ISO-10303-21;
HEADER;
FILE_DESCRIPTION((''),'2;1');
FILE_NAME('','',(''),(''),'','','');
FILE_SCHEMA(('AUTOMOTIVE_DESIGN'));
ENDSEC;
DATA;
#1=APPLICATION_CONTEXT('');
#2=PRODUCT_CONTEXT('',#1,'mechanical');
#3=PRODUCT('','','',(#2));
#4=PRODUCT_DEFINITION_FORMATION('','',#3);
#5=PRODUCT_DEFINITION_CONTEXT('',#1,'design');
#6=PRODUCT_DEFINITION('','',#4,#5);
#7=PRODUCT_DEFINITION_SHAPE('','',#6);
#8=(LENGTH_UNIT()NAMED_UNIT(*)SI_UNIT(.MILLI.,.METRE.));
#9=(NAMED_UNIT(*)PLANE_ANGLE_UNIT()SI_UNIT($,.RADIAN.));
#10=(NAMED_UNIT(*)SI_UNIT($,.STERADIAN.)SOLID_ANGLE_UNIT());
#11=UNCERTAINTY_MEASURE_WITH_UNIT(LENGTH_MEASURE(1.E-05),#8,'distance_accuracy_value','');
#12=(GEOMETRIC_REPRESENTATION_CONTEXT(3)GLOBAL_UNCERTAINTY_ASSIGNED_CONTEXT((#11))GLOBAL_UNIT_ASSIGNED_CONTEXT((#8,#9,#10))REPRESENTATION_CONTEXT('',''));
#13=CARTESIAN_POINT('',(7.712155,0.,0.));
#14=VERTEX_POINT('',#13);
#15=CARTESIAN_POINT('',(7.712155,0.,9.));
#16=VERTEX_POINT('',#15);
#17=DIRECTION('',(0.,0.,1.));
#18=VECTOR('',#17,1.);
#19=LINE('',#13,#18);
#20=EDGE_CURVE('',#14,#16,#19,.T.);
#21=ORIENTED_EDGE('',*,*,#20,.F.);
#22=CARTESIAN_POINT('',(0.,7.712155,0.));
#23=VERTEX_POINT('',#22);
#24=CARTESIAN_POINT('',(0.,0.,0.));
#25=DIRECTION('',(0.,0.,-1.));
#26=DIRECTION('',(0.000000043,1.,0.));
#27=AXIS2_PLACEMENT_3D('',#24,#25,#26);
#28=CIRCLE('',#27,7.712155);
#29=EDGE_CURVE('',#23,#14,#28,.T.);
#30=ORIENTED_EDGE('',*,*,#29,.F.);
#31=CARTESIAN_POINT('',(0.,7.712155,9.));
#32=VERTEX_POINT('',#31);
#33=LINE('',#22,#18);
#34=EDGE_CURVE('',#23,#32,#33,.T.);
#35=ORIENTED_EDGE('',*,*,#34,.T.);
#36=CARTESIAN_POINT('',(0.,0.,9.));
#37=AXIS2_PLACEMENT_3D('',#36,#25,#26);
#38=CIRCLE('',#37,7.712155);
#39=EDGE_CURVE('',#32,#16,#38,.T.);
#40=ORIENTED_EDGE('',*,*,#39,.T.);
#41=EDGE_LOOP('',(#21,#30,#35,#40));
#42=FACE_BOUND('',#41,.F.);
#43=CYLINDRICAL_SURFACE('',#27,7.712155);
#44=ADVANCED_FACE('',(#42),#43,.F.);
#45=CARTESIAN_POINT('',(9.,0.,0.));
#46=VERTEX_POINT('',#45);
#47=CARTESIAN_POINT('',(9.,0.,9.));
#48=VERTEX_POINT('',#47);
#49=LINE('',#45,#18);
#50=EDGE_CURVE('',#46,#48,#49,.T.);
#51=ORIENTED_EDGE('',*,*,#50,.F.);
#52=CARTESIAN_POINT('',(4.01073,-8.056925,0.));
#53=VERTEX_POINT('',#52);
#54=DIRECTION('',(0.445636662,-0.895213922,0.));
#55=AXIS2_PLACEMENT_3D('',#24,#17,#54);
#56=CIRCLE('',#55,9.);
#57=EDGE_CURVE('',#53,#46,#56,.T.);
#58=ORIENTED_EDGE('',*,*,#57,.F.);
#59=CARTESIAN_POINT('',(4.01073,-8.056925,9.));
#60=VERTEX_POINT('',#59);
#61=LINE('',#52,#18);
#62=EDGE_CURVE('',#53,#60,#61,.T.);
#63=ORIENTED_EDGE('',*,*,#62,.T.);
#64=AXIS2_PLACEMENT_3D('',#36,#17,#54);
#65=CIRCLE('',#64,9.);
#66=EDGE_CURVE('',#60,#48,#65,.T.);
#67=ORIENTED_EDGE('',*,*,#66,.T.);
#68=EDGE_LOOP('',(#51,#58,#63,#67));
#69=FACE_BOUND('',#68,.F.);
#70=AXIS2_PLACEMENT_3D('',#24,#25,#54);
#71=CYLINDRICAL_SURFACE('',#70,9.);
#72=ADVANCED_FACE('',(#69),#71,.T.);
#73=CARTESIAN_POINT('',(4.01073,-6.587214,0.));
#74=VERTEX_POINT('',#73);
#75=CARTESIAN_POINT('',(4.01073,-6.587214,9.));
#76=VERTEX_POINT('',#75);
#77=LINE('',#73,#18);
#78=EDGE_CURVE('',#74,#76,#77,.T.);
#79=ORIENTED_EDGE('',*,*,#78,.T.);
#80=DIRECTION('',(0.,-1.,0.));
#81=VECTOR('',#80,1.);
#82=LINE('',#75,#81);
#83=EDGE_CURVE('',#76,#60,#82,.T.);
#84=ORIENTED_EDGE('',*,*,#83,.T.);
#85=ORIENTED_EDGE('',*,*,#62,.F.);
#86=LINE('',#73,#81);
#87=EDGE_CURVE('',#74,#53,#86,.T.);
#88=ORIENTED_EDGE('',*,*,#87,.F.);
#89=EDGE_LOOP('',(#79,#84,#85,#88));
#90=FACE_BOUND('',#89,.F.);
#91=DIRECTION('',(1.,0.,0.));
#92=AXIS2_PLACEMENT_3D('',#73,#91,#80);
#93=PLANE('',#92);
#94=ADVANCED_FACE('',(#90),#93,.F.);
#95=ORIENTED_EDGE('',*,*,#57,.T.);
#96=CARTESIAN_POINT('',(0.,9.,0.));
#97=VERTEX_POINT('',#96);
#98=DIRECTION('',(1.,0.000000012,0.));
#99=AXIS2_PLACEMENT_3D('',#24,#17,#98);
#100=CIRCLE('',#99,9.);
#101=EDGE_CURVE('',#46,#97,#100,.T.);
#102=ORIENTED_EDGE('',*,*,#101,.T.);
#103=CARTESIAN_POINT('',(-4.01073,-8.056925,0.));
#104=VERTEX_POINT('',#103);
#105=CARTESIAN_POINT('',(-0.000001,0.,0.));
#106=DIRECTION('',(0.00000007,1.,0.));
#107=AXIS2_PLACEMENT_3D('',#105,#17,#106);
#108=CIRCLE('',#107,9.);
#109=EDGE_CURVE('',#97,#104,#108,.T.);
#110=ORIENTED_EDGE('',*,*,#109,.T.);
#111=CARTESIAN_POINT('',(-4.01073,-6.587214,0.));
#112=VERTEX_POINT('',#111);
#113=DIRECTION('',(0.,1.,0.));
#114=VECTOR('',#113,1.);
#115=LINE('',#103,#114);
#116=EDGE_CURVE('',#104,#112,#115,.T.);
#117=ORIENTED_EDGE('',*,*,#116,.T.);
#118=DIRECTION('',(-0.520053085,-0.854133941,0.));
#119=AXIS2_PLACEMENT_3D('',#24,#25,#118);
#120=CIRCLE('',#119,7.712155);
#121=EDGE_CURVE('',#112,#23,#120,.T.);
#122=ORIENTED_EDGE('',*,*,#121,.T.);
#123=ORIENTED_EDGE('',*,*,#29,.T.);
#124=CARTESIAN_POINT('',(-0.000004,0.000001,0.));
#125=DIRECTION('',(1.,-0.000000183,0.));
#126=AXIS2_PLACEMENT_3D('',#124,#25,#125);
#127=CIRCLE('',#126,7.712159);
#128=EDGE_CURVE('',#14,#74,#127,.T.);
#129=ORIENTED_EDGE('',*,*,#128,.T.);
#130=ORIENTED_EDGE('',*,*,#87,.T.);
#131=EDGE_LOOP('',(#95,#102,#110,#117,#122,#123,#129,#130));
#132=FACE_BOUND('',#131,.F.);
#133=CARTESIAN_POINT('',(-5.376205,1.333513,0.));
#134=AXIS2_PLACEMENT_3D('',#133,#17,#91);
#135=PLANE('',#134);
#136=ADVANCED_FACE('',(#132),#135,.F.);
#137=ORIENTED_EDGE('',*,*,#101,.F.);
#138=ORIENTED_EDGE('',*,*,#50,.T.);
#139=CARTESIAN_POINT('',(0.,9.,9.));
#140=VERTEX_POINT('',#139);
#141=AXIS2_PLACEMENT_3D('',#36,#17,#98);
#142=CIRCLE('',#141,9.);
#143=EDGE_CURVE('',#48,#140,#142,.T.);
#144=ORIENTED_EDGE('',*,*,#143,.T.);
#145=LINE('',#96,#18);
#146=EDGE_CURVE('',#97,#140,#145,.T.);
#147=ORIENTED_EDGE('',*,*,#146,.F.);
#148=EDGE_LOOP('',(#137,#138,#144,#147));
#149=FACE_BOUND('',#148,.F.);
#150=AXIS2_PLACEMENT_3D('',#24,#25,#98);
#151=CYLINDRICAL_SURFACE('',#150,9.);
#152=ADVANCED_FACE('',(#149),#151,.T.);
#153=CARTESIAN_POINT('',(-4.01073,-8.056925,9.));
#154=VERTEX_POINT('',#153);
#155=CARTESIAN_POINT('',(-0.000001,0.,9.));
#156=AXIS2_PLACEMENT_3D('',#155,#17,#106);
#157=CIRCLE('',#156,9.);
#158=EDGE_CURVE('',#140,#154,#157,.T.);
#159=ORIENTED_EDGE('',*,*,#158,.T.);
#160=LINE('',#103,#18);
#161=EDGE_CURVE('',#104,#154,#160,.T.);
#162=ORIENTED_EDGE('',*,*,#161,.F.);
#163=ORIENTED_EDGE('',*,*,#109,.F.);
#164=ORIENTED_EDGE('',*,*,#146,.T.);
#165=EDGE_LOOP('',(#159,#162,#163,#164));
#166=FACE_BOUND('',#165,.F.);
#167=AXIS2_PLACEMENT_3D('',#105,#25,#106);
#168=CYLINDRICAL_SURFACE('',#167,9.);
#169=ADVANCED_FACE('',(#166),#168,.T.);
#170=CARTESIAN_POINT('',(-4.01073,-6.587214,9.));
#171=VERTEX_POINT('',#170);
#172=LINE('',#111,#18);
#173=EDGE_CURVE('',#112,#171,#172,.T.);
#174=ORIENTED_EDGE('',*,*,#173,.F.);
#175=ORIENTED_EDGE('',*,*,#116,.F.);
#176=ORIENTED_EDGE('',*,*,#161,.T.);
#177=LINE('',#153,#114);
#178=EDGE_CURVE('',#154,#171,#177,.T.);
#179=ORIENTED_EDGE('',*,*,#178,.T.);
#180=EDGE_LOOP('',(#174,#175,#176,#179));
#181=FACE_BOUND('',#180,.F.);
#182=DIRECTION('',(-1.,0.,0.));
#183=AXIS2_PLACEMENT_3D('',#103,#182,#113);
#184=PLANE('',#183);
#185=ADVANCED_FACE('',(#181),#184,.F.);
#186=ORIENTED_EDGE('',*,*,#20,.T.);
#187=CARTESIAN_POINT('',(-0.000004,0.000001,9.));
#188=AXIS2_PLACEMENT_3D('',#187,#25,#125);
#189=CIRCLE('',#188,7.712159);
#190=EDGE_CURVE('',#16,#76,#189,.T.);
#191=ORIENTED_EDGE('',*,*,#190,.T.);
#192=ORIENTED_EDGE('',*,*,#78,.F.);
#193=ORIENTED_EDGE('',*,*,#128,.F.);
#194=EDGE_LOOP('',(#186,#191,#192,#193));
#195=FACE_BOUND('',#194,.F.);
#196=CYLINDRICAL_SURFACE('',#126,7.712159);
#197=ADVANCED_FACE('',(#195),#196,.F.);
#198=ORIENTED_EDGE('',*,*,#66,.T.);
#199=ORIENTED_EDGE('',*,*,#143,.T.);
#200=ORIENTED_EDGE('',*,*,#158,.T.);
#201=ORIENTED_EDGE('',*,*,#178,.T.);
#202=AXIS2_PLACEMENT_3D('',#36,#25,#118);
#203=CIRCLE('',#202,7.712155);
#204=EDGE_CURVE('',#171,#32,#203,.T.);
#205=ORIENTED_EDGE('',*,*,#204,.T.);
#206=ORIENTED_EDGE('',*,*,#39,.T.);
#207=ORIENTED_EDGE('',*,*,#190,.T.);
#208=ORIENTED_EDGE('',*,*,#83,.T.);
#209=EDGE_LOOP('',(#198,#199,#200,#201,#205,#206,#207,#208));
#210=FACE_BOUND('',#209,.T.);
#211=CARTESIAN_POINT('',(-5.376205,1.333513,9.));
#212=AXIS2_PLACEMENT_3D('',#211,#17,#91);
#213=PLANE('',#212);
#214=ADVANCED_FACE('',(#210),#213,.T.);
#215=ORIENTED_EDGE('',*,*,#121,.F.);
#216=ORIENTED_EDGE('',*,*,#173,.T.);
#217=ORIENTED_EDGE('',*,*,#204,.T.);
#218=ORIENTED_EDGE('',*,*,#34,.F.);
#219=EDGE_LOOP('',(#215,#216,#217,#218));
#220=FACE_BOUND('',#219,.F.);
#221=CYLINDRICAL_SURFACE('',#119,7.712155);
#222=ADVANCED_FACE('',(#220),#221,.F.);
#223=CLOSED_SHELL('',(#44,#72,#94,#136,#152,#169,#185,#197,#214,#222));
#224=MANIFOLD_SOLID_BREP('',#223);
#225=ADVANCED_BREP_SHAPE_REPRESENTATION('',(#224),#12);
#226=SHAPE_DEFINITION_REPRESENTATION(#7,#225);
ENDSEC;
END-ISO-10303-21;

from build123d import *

# Parameters (mm, degrees)
F1_DEPTH = 9


with BuildPart() as f1:
    # F0 (on Top) → F1 (new body)
    with BuildSketch(Plane.XY):
        with BuildLine():
            Line((0, 7.712155), (0, 9))
            ThreePointArc((0, 9), (-8.76106, 2.060057), (-4.01073, -8.056925))
            Line((-4.01073, -8.056925), (-4.01073, -6.587214))
            ThreePointArc((-4.01073, -6.587214), (-7.425596, 2.082753), (0, 7.712155))
        make_face()
        with BuildLine():
            ThreePointArc((4.01073, -8.056925), (7.651685, -4.738324), (9, 0))
            ThreePointArc((9, 0), (6.363961, 6.363961), (0, 9))
            Line((0, 9), (0, 7.712155))
            ThreePointArc((0, 7.712155), (5.453317, 5.453317), (7.712155, 0))
            ThreePointArc((7.712155, 0), (6.723418, -3.77796), (4.01073, -6.587214))
            Line((4.01073, -6.587214), (4.01073, -8.056925))
        make_face()
    extrude(amount=F1_DEPTH)


solid = f1.part
